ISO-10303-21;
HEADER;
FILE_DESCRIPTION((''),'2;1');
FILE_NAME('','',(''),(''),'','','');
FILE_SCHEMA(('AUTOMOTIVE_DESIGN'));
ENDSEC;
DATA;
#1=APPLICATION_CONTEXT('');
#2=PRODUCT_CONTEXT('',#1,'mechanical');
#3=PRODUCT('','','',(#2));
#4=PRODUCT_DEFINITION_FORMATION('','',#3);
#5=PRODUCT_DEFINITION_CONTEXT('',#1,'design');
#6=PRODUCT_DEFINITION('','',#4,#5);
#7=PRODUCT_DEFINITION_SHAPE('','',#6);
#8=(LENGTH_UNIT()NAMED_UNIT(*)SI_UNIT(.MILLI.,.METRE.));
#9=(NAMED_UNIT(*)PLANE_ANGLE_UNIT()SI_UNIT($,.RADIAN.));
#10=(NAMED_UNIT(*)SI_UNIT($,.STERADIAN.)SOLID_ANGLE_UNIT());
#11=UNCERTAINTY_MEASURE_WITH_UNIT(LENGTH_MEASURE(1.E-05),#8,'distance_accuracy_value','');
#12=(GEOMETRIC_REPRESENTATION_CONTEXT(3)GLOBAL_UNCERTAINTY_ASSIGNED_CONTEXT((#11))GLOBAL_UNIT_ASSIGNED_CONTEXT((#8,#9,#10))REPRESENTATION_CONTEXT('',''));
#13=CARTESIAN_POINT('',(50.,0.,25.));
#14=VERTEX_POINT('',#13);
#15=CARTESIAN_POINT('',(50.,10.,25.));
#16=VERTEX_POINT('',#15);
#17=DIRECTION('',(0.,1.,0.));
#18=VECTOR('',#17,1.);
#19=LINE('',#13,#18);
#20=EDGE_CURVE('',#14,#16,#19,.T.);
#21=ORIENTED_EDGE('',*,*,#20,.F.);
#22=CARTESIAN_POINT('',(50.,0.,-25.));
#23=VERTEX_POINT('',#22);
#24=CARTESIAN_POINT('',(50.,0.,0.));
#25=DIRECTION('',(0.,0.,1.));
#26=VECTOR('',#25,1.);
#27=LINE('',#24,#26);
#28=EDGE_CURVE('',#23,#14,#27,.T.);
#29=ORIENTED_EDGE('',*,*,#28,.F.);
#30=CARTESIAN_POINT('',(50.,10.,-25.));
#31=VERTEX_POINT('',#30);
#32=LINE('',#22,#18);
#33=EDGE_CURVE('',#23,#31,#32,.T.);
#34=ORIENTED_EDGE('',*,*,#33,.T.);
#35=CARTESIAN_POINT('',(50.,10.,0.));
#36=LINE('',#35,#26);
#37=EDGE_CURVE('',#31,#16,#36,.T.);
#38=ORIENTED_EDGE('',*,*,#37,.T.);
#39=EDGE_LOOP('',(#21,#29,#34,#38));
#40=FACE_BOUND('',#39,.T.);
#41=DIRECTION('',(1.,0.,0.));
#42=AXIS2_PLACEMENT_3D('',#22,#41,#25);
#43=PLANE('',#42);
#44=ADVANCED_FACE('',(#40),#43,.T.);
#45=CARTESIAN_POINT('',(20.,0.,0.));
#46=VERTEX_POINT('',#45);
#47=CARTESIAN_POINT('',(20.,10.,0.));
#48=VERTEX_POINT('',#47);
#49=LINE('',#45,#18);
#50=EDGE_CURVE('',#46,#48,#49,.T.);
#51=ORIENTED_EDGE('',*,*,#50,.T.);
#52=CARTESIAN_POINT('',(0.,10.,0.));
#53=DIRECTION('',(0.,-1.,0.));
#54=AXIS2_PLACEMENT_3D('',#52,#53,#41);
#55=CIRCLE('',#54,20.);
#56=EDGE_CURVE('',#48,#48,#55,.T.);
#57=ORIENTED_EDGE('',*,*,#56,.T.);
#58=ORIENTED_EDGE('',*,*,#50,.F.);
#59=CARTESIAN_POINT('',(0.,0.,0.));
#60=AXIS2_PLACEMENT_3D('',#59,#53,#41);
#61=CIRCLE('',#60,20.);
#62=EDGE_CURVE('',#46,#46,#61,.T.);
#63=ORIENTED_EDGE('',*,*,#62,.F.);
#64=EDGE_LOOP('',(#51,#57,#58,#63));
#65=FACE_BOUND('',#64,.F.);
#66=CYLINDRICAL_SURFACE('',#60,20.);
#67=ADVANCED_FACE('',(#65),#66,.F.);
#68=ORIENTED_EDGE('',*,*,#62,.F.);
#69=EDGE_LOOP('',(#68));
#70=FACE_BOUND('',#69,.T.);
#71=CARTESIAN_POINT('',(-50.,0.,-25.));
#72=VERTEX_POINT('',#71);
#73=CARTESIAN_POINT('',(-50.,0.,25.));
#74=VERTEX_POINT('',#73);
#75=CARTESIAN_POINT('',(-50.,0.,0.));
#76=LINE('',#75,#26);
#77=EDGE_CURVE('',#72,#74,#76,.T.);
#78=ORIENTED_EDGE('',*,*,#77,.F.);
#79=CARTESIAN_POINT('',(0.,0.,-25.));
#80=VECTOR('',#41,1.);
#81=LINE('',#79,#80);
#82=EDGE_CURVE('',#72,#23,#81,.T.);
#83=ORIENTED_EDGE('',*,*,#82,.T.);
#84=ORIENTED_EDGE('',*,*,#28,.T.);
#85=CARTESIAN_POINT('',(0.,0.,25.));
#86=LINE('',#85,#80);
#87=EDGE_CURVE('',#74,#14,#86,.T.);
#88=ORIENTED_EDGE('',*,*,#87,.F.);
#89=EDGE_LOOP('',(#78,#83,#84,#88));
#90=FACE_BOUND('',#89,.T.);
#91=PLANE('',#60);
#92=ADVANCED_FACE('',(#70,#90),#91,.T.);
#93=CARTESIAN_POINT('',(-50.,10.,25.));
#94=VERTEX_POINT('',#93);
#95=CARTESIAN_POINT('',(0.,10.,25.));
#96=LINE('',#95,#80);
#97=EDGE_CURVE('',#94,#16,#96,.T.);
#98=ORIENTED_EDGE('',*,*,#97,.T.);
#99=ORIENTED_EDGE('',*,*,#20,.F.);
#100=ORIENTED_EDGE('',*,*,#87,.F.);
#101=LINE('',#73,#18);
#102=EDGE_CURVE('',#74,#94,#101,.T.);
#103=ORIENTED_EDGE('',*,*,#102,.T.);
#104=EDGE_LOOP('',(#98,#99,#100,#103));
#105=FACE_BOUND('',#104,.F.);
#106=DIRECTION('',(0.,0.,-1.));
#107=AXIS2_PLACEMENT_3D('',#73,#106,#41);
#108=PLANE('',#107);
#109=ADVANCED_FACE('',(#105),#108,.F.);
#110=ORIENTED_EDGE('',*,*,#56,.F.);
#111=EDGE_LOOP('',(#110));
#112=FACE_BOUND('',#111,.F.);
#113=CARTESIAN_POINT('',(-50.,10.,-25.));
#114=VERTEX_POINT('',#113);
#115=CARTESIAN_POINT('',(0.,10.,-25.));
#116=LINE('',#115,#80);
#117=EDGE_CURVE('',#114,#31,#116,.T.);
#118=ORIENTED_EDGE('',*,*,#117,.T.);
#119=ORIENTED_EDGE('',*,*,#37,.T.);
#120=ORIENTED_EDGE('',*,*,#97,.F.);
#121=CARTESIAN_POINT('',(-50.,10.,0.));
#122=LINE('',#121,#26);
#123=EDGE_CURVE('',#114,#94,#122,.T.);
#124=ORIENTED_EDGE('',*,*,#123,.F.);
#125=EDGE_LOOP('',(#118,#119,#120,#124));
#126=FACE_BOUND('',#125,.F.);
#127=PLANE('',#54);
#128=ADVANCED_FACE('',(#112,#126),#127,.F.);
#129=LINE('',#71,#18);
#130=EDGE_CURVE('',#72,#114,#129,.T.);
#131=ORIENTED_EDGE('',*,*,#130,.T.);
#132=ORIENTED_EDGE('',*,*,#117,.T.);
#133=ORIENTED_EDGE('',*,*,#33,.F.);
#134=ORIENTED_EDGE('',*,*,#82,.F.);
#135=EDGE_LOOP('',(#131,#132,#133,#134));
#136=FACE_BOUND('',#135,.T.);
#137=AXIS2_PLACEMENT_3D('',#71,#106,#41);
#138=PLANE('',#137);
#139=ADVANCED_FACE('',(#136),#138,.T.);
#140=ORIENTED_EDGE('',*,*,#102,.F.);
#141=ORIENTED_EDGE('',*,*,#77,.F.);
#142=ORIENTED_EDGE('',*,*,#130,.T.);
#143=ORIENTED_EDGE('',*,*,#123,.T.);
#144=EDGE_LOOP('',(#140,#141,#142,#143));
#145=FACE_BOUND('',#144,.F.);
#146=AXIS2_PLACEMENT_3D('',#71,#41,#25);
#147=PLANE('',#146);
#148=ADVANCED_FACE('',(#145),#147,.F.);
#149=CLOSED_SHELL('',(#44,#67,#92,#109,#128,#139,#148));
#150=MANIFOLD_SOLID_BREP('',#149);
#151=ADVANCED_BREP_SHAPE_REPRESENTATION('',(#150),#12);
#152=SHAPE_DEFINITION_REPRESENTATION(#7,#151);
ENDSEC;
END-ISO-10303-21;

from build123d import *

# Parameters (mm, degrees)
F0_W     = 100
F0_H     = 50
F1_DEPTH = 10
F2_R     = 20
F3_DEPTH = 45


with BuildPart() as f1:
    # F0 (on Front) → F1 (new body)
    with BuildSketch(Plane.XZ):
        Rectangle(F0_W, F0_H)
    extrude(amount=-F1_DEPTH)

    # F2 (on face) → F3 (cut)
    with BuildSketch(Plane.XZ):
        Circle(F2_R)
    extrude(amount=-F3_DEPTH, mode=Mode.SUBTRACT)


solid = f1.part
